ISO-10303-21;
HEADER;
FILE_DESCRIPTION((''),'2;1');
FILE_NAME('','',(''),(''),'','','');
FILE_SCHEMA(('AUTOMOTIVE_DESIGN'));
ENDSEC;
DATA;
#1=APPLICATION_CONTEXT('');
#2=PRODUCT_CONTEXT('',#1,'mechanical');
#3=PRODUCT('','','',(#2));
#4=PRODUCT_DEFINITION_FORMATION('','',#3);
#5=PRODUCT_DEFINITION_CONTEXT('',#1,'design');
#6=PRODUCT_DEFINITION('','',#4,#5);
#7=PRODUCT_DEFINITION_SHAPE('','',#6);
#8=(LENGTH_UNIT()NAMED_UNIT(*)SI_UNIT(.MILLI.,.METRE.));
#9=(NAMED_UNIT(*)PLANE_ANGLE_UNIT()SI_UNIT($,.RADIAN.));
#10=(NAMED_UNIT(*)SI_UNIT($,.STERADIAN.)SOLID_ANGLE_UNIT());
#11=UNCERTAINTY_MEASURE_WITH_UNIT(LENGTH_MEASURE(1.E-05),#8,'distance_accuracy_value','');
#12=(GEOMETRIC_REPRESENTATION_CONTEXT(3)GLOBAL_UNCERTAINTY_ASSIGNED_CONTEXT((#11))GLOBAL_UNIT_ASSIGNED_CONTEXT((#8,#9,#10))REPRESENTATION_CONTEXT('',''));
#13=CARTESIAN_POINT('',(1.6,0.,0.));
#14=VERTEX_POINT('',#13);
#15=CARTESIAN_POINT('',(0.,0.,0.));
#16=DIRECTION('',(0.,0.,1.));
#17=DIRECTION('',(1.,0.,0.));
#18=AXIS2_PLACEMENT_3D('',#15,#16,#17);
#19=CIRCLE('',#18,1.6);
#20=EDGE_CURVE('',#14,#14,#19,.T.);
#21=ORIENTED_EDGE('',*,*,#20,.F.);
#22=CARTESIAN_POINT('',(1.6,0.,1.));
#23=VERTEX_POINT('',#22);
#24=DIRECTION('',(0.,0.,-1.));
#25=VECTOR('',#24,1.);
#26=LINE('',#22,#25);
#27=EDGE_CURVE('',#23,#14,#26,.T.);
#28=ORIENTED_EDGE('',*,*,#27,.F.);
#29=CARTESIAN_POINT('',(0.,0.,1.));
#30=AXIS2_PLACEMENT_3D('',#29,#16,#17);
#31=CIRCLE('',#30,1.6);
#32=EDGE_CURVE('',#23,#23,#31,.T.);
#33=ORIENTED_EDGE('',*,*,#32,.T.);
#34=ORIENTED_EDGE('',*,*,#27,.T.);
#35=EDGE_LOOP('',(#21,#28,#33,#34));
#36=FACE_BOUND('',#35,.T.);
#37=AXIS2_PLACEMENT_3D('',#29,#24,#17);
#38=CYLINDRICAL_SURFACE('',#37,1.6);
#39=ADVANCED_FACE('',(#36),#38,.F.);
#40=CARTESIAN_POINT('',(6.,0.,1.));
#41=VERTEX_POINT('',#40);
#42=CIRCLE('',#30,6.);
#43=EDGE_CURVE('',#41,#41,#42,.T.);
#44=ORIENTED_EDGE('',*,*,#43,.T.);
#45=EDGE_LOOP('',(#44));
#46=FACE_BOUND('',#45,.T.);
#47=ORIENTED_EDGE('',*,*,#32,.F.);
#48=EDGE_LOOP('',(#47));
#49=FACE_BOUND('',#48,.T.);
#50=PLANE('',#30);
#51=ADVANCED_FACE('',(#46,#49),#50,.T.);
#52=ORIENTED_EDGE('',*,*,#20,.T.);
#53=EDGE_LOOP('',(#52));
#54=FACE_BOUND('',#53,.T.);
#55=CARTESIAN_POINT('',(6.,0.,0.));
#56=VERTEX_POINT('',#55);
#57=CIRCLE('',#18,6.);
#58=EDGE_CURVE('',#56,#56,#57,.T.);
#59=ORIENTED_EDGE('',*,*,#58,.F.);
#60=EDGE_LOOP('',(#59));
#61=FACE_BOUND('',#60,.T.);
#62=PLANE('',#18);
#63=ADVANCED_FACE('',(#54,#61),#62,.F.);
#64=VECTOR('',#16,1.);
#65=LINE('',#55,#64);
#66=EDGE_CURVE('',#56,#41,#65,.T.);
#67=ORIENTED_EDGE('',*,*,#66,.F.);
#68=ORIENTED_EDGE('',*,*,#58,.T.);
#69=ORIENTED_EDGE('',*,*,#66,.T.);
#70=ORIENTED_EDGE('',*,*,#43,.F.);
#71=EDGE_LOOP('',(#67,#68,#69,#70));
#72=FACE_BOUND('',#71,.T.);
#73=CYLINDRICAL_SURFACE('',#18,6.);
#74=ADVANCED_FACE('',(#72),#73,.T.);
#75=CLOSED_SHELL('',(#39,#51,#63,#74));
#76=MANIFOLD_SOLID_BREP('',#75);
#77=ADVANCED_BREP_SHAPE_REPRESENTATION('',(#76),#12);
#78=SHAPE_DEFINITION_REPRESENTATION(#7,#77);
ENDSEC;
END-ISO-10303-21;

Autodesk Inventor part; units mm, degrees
ref_plane "YZ Plane" through (0, 0, 0) normal (1, 0, 0) x (0, 1, 0)
ref_plane "XZ Plane" through (0, 0, 0) normal (0, 1, 0) x (-1, 0, 0)
ref_plane "XY Plane" through (0, 0, 0) normal (0, 0, 1) x (1, 0, 0)
sketch "Sketch1" plane through (0, 0, 0) normal (0, 1, 0) x (-1, 0, 0)
  line L0 (0, 0) -> (0, 1)
  line L1 (-1.6, 1) -> (-1.6, 0)
  line L2 (-1.6, 0) -> (-6, 0)
  line L3 (-6, 0) -> (-6, 1)
  line L4 (-6, 1) -> (-1.6, 1)
  dimension "InsideDiameter" = 3.2
  dimension "OuterDiameter" = 12
  dimension "Thickness" = 1
revolve "Revolution1" add sketch "Sketch1" angle 360 about axis through (0, 0, 0) along (0, 0, 1)
properties part number "UUW-0312-10H" material "Stainless Steel AISI 304"
